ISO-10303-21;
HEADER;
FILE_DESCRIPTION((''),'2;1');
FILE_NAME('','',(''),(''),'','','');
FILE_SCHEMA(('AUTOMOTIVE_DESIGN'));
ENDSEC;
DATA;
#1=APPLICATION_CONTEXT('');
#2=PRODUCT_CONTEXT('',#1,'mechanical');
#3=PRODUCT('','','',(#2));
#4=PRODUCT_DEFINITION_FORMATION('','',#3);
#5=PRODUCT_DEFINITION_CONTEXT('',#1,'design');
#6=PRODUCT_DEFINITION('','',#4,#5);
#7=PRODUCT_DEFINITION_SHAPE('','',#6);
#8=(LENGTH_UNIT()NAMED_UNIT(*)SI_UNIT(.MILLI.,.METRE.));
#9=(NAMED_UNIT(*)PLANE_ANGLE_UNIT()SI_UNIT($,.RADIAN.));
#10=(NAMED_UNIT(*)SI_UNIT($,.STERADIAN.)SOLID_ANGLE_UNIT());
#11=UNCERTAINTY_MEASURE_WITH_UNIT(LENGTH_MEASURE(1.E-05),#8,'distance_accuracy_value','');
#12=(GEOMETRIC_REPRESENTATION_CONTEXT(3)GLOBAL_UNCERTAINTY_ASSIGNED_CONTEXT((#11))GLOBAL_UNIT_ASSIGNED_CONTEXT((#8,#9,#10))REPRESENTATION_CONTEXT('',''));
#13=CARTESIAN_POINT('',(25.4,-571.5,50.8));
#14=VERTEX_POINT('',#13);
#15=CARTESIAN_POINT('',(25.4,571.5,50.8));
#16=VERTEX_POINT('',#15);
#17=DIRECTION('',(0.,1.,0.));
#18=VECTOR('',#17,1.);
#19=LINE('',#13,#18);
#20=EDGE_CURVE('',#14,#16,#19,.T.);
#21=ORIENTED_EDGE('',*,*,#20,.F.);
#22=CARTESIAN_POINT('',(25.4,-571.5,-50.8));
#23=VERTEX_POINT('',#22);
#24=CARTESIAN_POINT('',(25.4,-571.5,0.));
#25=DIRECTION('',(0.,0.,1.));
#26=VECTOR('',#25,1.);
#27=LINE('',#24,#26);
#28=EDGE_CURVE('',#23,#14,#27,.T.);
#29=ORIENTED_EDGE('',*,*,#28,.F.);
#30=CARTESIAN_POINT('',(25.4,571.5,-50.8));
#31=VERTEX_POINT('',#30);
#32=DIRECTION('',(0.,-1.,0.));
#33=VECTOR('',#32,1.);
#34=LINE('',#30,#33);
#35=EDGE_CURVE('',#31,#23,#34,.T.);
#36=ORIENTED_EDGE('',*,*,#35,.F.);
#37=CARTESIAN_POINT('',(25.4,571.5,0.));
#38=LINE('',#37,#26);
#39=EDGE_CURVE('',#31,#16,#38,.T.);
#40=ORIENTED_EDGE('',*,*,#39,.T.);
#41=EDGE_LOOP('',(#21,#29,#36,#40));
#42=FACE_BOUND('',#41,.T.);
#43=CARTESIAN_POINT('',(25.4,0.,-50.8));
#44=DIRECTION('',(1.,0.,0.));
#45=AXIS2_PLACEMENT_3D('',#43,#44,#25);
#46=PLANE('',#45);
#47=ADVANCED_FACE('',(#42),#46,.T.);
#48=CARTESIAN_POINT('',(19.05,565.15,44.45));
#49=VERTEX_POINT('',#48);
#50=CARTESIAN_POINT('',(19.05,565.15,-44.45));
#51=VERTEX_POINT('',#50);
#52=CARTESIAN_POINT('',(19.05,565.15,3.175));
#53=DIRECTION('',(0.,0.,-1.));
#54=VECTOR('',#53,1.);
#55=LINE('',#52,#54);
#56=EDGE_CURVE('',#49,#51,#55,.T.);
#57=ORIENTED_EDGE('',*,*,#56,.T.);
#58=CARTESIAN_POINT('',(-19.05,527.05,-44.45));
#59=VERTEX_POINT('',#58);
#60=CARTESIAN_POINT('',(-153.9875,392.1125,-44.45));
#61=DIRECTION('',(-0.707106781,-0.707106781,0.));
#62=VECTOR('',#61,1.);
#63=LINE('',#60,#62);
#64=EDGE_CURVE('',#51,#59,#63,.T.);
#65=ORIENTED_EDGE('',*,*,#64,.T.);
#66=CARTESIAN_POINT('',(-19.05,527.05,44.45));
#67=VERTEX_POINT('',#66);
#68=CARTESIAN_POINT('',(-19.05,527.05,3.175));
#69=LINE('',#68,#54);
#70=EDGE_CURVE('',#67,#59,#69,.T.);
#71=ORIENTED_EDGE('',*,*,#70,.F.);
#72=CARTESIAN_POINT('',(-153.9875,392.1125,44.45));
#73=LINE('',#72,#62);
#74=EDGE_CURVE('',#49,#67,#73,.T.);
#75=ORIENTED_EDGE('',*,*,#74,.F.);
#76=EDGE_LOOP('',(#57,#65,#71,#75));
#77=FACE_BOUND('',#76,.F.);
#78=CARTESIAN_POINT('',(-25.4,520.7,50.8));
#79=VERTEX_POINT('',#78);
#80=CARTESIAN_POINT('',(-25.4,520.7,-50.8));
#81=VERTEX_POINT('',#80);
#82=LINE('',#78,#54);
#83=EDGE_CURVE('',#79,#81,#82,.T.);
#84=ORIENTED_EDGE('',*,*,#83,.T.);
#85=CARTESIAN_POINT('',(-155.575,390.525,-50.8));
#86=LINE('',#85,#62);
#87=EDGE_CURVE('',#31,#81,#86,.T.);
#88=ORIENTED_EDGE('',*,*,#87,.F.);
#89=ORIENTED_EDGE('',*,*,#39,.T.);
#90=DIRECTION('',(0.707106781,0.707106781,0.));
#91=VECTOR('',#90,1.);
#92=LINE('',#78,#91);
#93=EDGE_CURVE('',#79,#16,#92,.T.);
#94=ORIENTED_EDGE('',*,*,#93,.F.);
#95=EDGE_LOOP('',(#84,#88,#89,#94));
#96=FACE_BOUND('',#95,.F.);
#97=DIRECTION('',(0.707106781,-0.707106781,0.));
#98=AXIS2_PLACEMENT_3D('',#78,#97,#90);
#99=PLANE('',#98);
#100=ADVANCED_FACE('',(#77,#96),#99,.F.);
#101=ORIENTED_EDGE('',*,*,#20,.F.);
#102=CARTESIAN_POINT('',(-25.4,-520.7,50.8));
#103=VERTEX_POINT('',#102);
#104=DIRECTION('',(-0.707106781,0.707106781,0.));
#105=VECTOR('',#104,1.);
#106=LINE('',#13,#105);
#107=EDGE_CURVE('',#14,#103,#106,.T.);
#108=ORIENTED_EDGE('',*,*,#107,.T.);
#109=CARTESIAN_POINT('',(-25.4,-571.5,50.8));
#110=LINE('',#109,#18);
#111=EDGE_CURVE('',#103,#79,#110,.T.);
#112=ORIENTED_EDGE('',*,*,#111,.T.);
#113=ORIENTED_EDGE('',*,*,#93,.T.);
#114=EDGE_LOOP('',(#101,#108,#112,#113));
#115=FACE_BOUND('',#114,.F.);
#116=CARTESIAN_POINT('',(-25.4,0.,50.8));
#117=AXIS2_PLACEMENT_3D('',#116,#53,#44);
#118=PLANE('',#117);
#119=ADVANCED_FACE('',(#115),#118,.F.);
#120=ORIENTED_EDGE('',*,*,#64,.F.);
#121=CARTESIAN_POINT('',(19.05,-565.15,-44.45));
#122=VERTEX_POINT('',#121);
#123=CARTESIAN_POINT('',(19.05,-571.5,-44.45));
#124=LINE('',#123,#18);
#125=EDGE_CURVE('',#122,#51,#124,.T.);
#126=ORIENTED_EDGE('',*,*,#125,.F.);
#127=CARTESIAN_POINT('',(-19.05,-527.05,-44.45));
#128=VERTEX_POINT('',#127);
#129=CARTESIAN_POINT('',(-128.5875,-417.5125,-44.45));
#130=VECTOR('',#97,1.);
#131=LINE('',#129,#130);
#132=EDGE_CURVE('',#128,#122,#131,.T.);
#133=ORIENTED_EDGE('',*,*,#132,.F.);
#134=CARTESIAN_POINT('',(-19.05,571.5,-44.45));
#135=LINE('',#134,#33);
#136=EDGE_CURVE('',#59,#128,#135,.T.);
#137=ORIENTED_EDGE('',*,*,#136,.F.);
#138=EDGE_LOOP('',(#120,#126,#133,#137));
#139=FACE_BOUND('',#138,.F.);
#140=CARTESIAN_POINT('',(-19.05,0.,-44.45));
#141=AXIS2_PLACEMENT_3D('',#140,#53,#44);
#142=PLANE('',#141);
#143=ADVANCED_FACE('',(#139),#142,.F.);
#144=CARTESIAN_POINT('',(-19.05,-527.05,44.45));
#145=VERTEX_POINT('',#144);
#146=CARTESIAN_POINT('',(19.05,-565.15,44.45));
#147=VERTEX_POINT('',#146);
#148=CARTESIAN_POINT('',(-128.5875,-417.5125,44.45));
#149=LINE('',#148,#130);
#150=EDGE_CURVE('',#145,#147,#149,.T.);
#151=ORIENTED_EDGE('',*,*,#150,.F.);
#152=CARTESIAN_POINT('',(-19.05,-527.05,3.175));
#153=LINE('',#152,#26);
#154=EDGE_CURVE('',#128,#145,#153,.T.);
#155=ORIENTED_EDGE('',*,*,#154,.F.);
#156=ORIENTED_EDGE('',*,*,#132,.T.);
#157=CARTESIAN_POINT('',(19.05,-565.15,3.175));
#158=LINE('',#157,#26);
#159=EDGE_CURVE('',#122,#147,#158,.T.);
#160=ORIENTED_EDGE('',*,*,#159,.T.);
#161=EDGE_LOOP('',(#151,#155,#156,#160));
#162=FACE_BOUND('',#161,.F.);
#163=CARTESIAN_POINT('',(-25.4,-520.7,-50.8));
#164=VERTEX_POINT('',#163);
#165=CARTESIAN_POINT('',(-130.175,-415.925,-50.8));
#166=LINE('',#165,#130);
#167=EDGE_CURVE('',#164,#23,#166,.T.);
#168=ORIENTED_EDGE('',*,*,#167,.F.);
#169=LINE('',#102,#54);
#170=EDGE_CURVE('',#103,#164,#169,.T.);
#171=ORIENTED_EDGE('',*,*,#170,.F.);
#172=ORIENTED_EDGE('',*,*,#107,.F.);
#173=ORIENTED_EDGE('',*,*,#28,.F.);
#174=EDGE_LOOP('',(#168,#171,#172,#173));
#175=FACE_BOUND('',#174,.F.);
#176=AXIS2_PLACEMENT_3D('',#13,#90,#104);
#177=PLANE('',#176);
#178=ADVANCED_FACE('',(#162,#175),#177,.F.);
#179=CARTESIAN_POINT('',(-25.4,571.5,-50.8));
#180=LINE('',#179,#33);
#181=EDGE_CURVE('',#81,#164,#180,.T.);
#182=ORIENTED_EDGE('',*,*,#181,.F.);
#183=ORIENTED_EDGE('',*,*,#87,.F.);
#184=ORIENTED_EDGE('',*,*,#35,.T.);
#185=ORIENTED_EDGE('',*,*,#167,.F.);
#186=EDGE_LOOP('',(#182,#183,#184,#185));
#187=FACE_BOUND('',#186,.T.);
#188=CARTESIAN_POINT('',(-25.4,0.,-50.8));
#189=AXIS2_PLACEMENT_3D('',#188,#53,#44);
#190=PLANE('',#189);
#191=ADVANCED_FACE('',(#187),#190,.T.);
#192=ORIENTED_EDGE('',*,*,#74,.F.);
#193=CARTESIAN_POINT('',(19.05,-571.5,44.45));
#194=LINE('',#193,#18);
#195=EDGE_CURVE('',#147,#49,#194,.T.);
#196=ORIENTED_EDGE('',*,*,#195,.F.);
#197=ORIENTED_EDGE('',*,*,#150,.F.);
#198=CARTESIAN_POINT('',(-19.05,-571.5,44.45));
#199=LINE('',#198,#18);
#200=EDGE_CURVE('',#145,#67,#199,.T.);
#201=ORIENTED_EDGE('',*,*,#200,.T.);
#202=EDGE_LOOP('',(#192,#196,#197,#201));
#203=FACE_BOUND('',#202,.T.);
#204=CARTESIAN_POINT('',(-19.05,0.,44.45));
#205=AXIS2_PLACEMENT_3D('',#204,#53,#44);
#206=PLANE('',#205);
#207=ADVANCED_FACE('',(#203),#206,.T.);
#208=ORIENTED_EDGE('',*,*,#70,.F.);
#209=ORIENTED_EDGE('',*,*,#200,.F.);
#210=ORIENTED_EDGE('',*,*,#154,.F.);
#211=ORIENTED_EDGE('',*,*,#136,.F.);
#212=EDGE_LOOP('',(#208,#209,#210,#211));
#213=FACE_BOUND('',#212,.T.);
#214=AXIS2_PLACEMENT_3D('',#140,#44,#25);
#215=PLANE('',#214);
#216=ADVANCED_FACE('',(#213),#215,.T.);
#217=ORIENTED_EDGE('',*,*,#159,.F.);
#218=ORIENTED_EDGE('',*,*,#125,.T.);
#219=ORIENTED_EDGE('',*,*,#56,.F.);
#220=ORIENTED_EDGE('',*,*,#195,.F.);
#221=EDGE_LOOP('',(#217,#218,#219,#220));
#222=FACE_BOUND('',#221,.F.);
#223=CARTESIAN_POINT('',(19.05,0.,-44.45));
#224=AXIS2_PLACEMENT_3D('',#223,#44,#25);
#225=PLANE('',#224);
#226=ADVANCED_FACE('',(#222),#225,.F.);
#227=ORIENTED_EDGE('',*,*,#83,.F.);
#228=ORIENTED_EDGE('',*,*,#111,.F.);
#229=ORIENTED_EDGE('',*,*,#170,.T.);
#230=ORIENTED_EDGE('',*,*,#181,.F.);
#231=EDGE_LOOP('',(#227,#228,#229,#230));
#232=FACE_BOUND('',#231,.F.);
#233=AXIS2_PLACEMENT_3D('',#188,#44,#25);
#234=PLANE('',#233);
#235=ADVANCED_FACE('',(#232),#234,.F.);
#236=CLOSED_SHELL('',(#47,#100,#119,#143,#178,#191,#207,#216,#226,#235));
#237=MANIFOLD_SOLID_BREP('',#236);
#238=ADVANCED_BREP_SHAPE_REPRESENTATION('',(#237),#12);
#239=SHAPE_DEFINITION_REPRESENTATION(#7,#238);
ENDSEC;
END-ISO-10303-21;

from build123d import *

# Parameters (mm, degrees)
F0_W     = 50.8
F0_H     = 101.6
F0_W_2   = 38.1
F0_H_2   = 88.9
F1_DEPTH = 571.5
F3_DEPTH = 101.601


with BuildPart() as f1:
    # F0 (on Front) → F1 (new body, symmetric)
    with BuildSketch(Plane.XZ):
        Rectangle(F0_W, F0_H)
        Rectangle(F0_W_2, F0_H_2, mode=Mode.SUBTRACT)
    extrude(amount=F1_DEPTH, both=True)

    # F2 (on face) → F3 (cut, through all)
    with BuildSketch(Plane.XY.offset(50.8)):
        Polygon((-25.4, -571.5), (25.4, -571.5), (-25.4, -520.7), align=None)
        Polygon((25.4, 571.5), (-25.4, 571.5), (-25.4, 520.7), align=None)
    extrude(amount=-F3_DEPTH, mode=Mode.SUBTRACT)


solid = f1.part
